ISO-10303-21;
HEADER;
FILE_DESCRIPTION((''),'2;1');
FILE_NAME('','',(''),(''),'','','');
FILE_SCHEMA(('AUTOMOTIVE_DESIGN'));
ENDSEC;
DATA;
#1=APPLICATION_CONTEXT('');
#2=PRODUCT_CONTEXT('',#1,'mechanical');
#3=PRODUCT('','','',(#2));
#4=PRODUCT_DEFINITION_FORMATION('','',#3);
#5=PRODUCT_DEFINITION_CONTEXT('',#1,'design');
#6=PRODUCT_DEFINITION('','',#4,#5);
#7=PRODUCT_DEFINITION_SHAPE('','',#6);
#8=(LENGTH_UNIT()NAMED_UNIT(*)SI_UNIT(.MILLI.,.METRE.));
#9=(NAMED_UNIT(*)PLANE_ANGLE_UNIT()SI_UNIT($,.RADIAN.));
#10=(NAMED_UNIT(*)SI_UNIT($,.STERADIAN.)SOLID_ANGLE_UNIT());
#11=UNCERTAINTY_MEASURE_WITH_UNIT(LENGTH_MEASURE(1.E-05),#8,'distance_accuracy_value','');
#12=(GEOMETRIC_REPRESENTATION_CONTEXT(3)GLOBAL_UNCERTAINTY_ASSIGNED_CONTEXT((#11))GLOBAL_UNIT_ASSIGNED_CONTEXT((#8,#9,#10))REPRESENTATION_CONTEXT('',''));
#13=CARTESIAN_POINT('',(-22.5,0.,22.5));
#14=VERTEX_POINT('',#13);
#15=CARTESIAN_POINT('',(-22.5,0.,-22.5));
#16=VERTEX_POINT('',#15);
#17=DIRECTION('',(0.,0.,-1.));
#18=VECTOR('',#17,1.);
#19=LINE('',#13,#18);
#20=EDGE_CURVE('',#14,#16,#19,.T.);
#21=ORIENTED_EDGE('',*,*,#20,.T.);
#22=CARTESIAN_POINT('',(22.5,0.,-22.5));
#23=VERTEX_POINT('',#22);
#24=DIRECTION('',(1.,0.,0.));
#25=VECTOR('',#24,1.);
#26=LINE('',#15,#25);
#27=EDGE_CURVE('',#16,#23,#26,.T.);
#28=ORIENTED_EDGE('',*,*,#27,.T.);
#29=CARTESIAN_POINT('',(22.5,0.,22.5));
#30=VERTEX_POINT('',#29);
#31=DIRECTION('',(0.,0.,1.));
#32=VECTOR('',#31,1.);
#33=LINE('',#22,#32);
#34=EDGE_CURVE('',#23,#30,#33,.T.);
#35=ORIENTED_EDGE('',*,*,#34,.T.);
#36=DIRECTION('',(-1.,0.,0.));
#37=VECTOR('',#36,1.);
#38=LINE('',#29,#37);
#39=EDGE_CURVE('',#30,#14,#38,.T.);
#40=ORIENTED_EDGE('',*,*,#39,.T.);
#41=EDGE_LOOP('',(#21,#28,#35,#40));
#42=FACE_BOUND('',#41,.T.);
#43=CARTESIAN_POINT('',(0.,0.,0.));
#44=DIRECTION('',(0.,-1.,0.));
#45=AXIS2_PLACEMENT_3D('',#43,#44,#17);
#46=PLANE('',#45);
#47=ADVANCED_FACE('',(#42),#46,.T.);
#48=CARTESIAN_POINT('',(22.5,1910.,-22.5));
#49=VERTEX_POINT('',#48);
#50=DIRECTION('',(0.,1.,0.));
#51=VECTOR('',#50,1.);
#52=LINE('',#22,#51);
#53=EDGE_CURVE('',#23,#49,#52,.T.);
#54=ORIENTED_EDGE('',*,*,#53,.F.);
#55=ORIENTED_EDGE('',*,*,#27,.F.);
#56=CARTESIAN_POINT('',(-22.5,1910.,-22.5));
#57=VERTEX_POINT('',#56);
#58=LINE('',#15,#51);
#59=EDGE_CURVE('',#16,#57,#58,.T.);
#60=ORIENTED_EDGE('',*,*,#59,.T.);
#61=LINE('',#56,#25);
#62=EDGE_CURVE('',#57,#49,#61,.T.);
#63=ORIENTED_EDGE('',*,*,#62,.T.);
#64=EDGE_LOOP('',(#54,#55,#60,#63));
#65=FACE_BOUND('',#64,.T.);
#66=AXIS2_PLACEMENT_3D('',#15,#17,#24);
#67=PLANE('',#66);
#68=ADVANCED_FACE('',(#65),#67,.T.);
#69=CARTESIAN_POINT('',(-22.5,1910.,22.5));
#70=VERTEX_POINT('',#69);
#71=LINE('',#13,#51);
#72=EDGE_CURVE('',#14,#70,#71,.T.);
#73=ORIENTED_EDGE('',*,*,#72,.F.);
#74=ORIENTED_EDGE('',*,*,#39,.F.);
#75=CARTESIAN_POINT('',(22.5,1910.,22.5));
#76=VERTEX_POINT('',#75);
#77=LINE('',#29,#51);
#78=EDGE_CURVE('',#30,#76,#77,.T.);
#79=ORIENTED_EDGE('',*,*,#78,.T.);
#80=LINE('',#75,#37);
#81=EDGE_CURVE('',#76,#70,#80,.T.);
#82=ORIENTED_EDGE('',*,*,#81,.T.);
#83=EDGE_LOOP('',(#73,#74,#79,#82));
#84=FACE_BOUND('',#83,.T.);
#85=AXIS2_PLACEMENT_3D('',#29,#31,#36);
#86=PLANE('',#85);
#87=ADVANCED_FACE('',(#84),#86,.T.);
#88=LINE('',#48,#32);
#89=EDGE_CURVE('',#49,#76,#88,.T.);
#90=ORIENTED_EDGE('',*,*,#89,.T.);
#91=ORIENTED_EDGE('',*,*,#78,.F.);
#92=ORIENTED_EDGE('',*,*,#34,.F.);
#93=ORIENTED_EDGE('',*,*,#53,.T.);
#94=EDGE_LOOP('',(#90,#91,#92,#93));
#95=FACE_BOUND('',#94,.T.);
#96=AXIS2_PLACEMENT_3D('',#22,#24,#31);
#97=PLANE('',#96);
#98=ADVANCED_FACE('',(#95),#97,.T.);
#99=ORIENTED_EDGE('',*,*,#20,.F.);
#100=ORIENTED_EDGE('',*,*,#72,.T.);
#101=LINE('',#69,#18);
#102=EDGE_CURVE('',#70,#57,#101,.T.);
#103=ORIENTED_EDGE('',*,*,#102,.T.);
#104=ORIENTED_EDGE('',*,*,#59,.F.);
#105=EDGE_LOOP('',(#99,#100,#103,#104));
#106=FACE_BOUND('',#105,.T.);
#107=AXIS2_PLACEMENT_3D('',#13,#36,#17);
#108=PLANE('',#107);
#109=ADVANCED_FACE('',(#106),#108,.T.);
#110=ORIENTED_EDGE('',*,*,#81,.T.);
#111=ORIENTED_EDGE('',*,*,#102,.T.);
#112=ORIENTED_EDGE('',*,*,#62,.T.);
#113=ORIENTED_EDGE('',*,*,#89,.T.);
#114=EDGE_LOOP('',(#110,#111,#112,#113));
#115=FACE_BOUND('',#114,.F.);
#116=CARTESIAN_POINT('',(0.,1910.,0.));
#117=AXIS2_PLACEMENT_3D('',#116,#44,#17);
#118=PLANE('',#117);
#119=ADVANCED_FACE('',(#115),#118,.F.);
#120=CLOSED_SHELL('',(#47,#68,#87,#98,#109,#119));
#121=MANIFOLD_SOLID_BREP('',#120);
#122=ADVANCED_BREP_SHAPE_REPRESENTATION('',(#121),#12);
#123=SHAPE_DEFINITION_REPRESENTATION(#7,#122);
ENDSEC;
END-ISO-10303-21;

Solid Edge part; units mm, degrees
sketch "Sketch1" plane through (0, 0, 0) normal (0, -1, 0) x (1, 0, 0)
  line L0 (-22.5, -22.5) -> (22.5, -22.5)
  line L1 (22.5, -22.5) -> (22.5, 22.5)
  line L2 (22.5, 22.5) -> (-22.5, 22.5)
  line L3 (-22.5, 22.5) -> (-22.5, -22.5)
extrude "Protrusion1" add sketch "Sketch1" against normal blind 1910
properties material "Wood, Pine"
